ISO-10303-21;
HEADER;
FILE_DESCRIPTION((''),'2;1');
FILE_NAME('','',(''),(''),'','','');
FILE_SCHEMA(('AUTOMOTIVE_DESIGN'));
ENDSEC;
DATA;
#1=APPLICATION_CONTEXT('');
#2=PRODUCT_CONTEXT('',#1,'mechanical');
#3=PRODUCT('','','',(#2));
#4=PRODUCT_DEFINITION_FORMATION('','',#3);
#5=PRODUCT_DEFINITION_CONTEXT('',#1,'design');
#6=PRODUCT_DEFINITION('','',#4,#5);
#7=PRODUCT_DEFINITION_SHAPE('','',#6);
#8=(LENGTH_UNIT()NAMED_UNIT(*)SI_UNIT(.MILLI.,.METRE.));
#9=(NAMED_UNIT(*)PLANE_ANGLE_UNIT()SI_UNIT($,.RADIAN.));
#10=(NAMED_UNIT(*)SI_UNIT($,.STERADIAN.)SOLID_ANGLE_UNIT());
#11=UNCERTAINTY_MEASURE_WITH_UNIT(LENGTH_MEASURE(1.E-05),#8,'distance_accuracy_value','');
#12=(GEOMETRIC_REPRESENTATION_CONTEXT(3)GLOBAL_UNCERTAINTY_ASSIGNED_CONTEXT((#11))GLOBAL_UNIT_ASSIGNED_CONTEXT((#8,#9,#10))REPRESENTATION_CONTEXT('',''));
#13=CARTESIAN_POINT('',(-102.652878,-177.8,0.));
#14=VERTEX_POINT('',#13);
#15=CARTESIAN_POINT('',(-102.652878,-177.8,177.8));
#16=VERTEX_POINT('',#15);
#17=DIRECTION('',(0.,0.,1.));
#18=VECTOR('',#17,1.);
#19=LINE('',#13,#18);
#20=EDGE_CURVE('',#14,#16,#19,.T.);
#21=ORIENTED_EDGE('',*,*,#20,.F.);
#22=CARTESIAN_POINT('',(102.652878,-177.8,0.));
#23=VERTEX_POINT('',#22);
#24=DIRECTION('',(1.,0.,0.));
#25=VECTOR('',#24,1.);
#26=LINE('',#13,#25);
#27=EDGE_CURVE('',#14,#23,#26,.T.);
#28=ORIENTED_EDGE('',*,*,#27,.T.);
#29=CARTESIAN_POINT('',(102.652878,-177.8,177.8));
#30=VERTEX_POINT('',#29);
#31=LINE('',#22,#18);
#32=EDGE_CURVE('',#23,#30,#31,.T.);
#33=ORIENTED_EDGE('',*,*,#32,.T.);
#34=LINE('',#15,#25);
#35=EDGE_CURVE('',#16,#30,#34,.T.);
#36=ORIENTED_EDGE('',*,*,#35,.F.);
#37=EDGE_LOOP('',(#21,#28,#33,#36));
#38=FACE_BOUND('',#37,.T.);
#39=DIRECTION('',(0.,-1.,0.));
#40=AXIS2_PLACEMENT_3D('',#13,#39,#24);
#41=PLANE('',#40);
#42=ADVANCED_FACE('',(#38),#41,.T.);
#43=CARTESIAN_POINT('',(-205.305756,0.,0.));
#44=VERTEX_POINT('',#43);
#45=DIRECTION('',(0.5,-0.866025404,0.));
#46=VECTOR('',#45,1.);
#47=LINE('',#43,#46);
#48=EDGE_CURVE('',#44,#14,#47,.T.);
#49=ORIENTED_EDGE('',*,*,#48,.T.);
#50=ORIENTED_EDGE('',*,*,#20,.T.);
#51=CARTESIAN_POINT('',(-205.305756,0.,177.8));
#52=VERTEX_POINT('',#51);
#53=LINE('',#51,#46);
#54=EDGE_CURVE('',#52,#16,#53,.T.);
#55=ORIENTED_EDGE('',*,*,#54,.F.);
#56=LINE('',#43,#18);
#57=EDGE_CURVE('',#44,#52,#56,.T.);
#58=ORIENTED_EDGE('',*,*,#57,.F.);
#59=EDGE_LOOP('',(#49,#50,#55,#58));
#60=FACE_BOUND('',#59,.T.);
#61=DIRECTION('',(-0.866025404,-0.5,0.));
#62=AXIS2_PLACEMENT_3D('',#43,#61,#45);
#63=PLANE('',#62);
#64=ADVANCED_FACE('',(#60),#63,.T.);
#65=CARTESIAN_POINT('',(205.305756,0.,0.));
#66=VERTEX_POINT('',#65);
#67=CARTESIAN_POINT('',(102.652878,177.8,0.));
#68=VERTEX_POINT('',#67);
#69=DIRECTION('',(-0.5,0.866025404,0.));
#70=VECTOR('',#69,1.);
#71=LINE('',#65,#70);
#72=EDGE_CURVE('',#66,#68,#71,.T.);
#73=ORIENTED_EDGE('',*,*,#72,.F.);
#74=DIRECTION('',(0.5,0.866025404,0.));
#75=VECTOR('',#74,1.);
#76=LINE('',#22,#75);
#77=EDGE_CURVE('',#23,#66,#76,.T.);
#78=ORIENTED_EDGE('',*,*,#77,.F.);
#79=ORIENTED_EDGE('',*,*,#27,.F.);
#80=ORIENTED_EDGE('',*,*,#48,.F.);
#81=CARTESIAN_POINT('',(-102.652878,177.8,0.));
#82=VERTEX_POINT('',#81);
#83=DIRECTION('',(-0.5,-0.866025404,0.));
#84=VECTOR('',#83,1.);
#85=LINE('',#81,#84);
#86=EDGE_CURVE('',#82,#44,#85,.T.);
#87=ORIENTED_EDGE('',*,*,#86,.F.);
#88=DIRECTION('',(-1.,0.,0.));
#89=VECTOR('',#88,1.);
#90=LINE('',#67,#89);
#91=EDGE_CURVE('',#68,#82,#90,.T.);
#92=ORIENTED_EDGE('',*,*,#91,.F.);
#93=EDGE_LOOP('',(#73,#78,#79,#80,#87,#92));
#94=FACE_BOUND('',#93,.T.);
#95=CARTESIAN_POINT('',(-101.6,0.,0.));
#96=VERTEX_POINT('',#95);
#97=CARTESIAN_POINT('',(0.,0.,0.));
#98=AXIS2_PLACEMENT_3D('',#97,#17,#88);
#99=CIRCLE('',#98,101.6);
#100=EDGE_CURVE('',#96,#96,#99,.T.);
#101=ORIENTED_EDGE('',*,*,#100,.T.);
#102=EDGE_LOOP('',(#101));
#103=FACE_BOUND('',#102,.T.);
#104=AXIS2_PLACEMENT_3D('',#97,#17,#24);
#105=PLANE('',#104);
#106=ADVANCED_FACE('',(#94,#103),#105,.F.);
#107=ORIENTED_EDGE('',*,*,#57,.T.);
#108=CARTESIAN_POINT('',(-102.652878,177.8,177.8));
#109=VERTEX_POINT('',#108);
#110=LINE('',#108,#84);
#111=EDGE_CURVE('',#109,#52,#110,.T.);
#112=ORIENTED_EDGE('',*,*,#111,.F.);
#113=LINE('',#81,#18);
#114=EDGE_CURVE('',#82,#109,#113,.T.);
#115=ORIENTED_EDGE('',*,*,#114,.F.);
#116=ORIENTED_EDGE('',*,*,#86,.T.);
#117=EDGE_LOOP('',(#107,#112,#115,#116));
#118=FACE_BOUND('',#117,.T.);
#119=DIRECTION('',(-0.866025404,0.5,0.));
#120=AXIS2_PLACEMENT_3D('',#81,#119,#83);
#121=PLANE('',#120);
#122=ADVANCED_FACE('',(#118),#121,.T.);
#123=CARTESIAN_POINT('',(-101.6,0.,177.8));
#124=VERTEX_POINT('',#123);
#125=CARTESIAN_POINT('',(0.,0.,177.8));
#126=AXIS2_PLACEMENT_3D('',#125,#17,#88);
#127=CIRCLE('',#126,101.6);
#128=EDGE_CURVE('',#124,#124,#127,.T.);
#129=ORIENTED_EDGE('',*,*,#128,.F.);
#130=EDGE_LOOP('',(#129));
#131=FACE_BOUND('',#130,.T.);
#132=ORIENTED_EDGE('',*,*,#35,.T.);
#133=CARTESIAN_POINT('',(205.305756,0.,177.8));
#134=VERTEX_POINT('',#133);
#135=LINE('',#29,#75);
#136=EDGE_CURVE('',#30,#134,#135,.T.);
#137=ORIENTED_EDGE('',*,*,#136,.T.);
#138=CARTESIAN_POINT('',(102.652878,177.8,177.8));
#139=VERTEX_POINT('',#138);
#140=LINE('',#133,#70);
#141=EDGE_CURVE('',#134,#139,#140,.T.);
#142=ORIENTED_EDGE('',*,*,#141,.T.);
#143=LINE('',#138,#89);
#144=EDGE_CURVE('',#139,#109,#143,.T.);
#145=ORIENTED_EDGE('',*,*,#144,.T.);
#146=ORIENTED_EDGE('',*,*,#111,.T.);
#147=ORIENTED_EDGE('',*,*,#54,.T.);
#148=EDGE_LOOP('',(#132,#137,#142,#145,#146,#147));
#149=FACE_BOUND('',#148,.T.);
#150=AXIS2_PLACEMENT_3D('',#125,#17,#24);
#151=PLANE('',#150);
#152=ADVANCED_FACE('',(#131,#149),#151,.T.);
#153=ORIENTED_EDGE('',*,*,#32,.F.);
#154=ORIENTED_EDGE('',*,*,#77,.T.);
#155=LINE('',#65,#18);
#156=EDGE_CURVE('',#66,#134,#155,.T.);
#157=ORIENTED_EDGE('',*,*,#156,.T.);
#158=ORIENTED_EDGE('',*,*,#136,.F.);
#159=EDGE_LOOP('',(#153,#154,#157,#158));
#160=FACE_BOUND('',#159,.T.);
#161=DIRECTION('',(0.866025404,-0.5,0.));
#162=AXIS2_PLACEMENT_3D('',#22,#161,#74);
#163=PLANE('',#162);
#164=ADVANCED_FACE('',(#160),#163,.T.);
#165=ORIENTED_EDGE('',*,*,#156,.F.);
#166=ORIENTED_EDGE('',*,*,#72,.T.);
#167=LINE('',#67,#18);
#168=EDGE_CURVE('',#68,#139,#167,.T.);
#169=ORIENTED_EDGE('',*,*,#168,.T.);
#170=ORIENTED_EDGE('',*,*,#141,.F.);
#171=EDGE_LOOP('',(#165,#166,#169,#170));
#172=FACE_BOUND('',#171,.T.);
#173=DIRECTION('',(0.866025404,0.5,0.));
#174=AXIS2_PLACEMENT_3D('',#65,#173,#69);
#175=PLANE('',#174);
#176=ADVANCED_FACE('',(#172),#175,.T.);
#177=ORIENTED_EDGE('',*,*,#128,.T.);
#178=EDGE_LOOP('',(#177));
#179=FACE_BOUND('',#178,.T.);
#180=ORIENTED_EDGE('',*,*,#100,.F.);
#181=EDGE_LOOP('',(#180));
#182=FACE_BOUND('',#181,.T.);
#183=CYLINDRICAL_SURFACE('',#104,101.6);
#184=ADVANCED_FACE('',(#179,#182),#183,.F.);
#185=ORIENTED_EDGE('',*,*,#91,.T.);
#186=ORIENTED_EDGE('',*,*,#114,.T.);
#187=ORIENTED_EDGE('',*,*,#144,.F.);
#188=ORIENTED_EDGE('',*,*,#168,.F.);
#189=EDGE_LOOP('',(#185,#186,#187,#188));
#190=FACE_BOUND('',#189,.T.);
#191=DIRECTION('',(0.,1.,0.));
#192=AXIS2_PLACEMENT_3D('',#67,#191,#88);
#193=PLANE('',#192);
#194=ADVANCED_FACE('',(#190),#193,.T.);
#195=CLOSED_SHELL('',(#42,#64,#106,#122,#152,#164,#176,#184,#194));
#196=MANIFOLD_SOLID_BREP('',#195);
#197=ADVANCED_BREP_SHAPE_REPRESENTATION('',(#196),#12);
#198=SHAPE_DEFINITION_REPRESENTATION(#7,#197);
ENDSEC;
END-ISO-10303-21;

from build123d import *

# Parameters (mm, degrees)
SKETCH1_R           = 101.6
BOSS_EXTRUDE1_DEPTH = 177.8


with BuildPart() as part:
    # Sketch1 → Boss-Extrude1 (new body)
    with BuildSketch(Plane.XY.offset(177.8)):
        Polygon((-102.652877862, -177.8), (102.652877862, -177.8), (205.305755724, 0), (102.652877862, 177.8), (-102.652877862, 177.8), (-205.305755724, 0), align=None)
        with Locations(Location((0, 0, 0), (0, 0, 180))):
            Circle(SKETCH1_R, mode=Mode.SUBTRACT)
    extrude(amount=-BOSS_EXTRUDE1_DEPTH)


solid = part.part
